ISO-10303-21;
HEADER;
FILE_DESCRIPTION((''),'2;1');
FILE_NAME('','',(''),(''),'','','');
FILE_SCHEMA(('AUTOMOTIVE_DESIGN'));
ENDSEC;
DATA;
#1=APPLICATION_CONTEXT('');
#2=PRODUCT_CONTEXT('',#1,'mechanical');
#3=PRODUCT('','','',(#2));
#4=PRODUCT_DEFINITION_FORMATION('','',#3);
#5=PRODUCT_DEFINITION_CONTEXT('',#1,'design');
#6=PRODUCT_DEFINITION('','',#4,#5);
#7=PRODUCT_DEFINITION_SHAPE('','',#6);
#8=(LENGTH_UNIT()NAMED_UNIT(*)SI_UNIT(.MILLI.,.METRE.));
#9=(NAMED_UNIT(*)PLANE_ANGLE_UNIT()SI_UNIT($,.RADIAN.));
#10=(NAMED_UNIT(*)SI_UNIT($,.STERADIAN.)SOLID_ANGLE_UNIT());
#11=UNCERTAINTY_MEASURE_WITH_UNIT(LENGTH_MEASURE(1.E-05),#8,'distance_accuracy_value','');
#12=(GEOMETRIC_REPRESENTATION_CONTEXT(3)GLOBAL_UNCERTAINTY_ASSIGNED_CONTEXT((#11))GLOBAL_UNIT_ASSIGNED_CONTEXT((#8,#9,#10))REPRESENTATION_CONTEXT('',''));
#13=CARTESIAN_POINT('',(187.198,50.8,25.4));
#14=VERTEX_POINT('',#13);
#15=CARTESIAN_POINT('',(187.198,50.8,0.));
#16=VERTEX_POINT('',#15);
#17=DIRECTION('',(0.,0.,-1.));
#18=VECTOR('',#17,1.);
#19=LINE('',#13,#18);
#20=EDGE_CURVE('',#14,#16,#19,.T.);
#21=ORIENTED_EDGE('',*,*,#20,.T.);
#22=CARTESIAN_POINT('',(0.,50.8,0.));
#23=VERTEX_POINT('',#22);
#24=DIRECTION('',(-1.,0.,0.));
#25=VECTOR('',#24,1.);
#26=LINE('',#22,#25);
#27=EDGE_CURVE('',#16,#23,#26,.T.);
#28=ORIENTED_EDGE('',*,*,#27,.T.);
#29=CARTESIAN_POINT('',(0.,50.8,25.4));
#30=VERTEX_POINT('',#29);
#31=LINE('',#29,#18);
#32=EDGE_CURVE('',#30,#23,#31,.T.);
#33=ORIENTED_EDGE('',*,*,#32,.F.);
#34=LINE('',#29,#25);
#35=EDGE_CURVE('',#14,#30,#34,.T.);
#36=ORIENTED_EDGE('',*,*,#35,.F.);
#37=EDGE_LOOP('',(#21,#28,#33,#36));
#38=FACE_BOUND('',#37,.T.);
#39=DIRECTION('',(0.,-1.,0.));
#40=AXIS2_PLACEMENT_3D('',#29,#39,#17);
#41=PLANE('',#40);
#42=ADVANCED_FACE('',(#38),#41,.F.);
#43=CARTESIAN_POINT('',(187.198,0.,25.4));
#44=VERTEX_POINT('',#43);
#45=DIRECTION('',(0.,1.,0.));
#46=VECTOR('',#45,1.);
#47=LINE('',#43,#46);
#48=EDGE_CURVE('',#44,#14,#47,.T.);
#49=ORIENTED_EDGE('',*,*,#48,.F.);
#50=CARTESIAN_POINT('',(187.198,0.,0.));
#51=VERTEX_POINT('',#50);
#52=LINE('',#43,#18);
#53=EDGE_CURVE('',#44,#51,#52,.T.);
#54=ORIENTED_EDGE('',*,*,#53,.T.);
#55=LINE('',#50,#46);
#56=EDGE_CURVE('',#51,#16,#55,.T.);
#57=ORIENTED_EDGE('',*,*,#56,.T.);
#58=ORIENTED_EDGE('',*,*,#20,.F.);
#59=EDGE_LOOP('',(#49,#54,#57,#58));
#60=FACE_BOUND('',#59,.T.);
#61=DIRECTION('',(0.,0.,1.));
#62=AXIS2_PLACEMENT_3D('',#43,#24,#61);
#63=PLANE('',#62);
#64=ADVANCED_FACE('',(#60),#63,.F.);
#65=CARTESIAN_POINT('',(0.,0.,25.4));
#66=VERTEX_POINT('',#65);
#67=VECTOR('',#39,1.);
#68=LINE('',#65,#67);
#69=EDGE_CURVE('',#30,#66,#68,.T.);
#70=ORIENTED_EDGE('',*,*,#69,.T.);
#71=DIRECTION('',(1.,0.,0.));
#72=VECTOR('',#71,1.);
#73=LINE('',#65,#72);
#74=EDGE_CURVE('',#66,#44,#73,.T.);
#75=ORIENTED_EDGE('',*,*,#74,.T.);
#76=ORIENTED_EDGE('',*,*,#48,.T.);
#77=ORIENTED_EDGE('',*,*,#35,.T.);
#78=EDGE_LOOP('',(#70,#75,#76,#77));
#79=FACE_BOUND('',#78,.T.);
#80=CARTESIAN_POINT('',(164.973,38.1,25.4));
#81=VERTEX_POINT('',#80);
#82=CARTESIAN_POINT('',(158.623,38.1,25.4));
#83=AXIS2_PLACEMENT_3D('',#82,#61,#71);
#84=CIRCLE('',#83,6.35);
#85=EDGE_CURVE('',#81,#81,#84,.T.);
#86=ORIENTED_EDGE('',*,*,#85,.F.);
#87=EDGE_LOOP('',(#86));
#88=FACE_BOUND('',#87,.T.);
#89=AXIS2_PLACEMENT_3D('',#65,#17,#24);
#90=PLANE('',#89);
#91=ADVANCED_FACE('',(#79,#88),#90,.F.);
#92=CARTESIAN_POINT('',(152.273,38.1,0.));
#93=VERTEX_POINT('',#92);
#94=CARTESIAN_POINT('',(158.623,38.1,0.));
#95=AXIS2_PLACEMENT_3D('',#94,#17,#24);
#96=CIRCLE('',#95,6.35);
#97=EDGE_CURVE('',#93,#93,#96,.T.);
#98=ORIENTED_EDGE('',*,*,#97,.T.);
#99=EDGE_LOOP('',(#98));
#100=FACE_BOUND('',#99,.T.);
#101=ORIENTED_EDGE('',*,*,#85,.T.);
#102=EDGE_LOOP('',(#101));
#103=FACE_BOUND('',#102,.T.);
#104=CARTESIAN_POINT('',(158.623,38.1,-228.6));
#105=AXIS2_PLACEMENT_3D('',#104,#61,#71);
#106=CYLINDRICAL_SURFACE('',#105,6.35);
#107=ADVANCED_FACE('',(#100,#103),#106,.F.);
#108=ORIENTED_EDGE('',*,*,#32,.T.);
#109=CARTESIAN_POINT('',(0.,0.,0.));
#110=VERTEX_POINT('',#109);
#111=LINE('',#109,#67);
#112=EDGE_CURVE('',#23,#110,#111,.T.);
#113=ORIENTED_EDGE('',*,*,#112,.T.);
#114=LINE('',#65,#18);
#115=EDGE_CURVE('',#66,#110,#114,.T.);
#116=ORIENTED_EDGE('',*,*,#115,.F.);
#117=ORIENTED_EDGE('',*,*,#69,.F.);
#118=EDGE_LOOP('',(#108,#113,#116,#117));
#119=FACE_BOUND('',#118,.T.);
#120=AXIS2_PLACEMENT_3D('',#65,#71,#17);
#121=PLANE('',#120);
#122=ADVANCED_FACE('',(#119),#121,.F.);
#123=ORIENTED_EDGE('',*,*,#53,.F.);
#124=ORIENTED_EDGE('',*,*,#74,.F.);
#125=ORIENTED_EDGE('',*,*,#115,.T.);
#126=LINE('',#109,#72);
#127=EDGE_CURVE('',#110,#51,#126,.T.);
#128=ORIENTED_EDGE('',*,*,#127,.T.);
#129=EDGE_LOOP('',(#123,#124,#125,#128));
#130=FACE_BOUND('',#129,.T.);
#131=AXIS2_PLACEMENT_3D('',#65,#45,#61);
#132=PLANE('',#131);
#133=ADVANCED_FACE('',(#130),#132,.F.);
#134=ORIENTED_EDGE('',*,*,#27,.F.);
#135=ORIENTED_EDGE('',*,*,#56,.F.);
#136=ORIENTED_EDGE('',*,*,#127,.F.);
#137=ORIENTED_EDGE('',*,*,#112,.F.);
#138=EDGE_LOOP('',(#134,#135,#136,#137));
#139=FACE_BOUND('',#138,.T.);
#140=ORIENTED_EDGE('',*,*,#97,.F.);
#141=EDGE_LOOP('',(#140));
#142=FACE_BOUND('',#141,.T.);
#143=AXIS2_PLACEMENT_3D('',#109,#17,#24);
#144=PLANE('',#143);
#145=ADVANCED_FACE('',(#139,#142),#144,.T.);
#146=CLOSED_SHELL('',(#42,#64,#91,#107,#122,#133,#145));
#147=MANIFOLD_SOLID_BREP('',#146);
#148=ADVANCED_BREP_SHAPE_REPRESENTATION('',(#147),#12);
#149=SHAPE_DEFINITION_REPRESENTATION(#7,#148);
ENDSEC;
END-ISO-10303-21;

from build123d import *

# Parameters (mm, degrees)
SKETCH1_W           = 187.198
SKETCH1_H           = 50.8
BOSS_EXTRUDE1_DEPTH = 25.4
SKETCH3_R           = 6.35
CUT_EXTRUDE2_DEPTH  = 254


with BuildPart() as part:
    # Sketch1 → Boss-Extrude1 (new body)
    with BuildSketch(Plane.XY):
        with Locations((93.599, 25.4)):
            Rectangle(SKETCH1_W, SKETCH1_H)
    extrude(amount=BOSS_EXTRUDE1_DEPTH)

    # Sketch3 → Cut-Extrude2 (cut)
    with BuildSketch(Plane.XY.offset(25.4)):
        with Locations((158.623, 38.1)):
            Circle(SKETCH3_R)
    extrude(amount=-CUT_EXTRUDE2_DEPTH, mode=Mode.SUBTRACT)


solid = part.part
